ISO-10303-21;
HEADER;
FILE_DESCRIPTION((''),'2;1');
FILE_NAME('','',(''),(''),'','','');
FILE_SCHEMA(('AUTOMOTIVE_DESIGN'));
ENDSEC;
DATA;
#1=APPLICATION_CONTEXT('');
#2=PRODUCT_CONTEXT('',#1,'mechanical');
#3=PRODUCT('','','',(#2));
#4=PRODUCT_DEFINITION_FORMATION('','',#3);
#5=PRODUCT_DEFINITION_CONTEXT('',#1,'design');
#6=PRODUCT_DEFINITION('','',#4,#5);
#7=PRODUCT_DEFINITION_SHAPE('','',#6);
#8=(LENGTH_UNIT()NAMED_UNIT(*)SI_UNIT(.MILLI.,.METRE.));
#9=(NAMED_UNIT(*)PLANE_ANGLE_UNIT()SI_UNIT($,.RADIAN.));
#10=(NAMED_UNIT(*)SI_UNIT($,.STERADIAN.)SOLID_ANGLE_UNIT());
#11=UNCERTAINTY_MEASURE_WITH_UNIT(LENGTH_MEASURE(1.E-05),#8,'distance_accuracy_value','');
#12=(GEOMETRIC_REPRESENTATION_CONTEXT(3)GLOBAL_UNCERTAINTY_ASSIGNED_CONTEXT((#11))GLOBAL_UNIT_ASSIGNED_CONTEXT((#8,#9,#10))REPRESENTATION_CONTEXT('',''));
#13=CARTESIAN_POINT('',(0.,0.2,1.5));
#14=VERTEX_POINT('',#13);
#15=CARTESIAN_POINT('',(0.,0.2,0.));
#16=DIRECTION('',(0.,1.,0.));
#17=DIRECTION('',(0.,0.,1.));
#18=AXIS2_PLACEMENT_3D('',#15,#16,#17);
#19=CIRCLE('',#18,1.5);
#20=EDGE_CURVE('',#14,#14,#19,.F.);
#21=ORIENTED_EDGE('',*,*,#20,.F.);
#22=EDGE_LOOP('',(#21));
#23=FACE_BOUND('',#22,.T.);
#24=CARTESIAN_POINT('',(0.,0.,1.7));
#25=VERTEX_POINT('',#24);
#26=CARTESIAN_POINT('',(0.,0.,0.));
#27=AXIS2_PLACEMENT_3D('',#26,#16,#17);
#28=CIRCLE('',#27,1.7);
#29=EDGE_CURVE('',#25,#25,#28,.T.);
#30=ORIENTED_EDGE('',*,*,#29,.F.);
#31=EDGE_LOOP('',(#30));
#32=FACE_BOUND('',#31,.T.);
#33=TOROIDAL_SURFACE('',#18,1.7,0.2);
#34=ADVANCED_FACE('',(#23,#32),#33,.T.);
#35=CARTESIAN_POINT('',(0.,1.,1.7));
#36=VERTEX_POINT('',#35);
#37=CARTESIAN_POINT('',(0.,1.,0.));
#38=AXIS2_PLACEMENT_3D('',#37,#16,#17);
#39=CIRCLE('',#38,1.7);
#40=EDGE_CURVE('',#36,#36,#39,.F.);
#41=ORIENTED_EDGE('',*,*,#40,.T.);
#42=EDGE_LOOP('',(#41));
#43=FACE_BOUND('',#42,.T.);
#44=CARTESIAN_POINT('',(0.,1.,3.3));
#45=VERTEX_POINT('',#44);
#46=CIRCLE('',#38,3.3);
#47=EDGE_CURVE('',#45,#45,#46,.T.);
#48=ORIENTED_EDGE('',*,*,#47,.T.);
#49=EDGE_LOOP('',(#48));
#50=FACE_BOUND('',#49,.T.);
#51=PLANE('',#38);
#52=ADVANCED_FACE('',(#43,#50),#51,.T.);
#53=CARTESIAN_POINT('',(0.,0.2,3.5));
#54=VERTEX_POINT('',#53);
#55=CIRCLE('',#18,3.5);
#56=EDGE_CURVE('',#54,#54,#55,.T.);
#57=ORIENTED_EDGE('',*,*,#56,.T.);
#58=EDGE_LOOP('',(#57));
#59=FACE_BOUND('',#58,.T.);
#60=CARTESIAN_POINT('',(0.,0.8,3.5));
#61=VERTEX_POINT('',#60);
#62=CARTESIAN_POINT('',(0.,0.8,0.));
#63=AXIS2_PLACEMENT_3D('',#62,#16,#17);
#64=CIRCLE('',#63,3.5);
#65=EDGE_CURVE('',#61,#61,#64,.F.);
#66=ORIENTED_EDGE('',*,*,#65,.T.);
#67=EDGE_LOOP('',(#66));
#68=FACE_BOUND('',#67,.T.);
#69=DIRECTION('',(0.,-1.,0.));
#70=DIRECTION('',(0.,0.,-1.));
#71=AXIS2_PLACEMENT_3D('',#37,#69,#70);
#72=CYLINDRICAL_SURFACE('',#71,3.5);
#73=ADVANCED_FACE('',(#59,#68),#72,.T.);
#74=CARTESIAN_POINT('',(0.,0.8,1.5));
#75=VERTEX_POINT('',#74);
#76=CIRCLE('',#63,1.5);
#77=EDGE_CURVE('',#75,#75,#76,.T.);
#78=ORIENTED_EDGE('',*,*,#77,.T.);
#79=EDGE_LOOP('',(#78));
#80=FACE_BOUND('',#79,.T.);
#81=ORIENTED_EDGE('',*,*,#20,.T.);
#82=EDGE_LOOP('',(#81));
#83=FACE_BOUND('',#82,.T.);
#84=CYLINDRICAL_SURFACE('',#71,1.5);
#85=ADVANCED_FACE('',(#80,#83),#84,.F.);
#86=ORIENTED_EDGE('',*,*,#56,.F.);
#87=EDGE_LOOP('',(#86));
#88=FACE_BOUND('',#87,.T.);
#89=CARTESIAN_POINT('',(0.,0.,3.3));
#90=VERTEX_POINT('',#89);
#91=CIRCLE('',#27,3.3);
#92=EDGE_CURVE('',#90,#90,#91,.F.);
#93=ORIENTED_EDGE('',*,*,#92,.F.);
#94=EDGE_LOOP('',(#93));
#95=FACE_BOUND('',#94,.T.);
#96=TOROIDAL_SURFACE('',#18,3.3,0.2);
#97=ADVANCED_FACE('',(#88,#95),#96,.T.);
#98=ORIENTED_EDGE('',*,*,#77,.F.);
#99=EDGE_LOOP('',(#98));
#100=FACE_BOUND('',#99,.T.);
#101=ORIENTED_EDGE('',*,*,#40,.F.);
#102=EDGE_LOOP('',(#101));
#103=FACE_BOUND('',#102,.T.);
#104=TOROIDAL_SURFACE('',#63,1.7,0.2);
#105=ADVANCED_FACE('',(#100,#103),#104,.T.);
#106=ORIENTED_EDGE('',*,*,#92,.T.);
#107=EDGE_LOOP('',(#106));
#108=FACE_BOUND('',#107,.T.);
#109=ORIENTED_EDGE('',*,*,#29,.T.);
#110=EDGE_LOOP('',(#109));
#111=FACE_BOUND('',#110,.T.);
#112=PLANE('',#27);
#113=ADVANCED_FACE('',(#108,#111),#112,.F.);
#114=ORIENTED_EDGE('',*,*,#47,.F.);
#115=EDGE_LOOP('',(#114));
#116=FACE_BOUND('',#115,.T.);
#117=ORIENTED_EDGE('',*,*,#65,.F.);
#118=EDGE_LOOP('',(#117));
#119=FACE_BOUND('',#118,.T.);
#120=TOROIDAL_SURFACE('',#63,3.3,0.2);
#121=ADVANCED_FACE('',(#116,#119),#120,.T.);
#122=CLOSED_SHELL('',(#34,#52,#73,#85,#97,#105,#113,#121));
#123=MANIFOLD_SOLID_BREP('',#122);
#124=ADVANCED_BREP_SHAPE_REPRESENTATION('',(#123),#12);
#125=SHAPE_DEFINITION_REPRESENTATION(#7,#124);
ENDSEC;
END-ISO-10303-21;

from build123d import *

# Parameters (mm, degrees)
SKETCH1_R           = 3.5
SKETCH1_R_2         = 1.5
BOSS_EXTRUDE1_DEPTH = 1
FILLET1_R           = 0.2


with BuildPart() as part:
    # Sketch1 → Boss-Extrude1 (new body)
    with BuildSketch(Plane(origin=(0, 0, 0), x_dir=(1, 0, 0), z_dir=(0, 1, 0))):
        Circle(SKETCH1_R)
        Circle(SKETCH1_R_2, mode=Mode.SUBTRACT)
    extrude(amount=BOSS_EXTRUDE1_DEPTH)

    # Fillet1
    fillet1_edges = [part.edges().sort_by_distance(p)[0] for p in [
        (-3.5, 0, 0),
        (-3.5, 1, 0),
        (-1.5, 0, 0),
        (-1.5, 1, 0),
    ]]
    fillet(fillet1_edges, radius=FILLET1_R)


solid = part.part
